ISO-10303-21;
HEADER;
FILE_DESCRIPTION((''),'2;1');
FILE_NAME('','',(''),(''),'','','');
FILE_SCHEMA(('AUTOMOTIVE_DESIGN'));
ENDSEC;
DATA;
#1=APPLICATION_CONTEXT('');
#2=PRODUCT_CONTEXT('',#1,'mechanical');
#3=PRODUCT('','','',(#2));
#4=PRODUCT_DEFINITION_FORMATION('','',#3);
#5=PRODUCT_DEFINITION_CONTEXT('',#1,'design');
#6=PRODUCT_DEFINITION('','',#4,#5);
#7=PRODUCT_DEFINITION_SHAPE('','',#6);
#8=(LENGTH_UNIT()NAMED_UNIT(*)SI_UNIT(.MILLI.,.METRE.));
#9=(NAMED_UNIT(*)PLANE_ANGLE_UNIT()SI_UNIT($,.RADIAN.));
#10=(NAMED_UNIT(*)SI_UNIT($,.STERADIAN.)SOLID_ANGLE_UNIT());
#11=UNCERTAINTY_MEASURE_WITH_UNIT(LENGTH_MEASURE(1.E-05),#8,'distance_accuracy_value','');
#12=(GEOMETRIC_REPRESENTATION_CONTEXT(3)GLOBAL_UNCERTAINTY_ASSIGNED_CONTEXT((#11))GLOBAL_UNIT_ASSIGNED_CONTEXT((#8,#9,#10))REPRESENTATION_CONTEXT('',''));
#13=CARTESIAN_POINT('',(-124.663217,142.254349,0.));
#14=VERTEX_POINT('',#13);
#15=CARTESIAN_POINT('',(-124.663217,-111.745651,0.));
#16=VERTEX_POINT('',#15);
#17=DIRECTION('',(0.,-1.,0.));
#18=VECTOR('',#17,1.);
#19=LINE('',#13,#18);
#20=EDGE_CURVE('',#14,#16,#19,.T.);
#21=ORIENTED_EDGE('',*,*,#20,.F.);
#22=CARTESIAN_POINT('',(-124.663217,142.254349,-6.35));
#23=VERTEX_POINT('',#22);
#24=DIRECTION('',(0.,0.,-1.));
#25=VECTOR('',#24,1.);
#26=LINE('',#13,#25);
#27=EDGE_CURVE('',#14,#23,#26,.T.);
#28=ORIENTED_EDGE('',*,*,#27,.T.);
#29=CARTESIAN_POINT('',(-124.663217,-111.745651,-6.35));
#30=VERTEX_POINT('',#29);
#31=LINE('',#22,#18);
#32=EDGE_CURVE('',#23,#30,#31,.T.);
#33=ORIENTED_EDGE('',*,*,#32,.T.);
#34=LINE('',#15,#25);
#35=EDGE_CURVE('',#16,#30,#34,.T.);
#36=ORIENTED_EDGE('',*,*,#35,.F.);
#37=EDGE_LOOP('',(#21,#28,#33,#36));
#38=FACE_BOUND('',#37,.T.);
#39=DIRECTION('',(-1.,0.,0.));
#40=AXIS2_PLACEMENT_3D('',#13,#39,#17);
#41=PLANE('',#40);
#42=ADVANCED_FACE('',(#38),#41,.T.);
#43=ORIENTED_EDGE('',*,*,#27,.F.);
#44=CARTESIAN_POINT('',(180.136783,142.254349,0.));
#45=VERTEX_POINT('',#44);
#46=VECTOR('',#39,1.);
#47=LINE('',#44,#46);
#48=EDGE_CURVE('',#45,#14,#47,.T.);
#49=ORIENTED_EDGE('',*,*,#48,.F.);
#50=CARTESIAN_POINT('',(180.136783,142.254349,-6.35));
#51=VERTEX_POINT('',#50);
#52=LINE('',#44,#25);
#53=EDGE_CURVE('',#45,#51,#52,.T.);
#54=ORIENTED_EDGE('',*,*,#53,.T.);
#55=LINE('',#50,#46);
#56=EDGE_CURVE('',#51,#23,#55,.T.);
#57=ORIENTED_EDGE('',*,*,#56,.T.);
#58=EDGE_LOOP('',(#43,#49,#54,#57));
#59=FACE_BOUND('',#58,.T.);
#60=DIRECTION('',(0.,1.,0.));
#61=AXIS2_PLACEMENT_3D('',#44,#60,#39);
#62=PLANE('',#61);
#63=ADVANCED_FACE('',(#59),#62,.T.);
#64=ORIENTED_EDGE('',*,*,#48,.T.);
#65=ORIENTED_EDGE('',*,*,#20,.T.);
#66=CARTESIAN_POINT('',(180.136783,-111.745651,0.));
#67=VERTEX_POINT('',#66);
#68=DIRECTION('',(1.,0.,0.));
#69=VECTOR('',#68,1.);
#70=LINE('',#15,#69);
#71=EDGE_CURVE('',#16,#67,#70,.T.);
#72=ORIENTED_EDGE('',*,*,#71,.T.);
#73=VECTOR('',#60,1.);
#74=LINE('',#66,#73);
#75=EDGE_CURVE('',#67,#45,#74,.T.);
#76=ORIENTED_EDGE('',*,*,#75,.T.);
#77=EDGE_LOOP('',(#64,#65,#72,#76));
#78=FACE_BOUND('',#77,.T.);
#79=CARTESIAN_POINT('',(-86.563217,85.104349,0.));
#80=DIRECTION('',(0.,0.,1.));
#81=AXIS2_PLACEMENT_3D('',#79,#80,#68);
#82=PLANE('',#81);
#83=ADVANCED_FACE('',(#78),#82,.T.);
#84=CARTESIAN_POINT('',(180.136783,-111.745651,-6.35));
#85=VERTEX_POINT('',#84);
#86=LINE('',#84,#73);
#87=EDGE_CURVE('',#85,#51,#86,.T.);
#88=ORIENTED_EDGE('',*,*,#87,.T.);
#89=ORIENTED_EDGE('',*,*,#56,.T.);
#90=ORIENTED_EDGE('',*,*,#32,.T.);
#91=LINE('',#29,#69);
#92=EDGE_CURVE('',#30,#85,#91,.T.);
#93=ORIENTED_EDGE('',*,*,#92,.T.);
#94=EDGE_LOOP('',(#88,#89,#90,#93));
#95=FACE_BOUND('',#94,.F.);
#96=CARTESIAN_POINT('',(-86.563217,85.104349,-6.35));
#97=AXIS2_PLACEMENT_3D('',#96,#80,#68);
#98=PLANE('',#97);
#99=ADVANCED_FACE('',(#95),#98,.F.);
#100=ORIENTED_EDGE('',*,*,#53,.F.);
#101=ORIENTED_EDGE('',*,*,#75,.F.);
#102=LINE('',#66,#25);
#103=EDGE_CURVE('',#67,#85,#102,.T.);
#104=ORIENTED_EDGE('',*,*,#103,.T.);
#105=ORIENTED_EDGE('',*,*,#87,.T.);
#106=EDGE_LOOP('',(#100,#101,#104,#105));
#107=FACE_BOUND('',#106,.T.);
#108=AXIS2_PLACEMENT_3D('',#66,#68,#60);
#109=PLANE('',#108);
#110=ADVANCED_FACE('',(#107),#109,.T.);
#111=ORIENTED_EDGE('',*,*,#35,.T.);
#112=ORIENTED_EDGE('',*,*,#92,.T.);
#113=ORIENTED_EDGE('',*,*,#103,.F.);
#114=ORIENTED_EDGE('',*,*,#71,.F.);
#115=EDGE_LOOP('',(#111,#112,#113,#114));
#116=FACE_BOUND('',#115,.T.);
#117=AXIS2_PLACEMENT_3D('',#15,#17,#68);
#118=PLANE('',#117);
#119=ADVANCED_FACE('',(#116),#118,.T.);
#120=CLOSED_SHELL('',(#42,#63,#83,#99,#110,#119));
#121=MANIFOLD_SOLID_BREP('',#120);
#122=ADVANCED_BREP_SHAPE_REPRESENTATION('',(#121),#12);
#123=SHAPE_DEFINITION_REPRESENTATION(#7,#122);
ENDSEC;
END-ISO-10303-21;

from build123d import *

# Parameters (mm, degrees)
F0_W     = 76.2
F0_H     = 114.3
F0_W_2   = 152.4
F0_H_2   = 101.6
F1_DEPTH = 6.35


with BuildPart() as f1:
    # F0 (on Top) → F1 (new body)
    with BuildSketch(Plane.XY):
        with Locations((-86.5632169724, 85.1043486208)):
            Rectangle(F0_W, F0_H)
        Polygon((103.9367830276, 142.2543486208), (-48.4632169724, 142.2543486208), (-48.4632169724, 27.9543486208), (27.7367830276, 27.9543486208), (103.9367830276, 27.9543486208), align=None)
        with Locations((142.0367830276, 85.1043486208)):
            Rectangle(F0_W, F0_H)
        Polygon((-48.4632169724, 27.9543486208), (-124.6632169724, 27.9543486208), (-124.6632169724, -111.7456513792), (27.7367830276, -111.7456513792), (27.7367830276, -10.1456513792), (180.1367830276, -10.1456513792), (180.1367830276, 27.9543486208), (103.9367830276, 27.9543486208), (27.7367830276, 27.9543486208), align=None)
        with Locations((103.9367830276, -60.9456513792)):
            Rectangle(F0_W_2, F0_H_2)
    extrude(amount=-F1_DEPTH)


solid = f1.part
